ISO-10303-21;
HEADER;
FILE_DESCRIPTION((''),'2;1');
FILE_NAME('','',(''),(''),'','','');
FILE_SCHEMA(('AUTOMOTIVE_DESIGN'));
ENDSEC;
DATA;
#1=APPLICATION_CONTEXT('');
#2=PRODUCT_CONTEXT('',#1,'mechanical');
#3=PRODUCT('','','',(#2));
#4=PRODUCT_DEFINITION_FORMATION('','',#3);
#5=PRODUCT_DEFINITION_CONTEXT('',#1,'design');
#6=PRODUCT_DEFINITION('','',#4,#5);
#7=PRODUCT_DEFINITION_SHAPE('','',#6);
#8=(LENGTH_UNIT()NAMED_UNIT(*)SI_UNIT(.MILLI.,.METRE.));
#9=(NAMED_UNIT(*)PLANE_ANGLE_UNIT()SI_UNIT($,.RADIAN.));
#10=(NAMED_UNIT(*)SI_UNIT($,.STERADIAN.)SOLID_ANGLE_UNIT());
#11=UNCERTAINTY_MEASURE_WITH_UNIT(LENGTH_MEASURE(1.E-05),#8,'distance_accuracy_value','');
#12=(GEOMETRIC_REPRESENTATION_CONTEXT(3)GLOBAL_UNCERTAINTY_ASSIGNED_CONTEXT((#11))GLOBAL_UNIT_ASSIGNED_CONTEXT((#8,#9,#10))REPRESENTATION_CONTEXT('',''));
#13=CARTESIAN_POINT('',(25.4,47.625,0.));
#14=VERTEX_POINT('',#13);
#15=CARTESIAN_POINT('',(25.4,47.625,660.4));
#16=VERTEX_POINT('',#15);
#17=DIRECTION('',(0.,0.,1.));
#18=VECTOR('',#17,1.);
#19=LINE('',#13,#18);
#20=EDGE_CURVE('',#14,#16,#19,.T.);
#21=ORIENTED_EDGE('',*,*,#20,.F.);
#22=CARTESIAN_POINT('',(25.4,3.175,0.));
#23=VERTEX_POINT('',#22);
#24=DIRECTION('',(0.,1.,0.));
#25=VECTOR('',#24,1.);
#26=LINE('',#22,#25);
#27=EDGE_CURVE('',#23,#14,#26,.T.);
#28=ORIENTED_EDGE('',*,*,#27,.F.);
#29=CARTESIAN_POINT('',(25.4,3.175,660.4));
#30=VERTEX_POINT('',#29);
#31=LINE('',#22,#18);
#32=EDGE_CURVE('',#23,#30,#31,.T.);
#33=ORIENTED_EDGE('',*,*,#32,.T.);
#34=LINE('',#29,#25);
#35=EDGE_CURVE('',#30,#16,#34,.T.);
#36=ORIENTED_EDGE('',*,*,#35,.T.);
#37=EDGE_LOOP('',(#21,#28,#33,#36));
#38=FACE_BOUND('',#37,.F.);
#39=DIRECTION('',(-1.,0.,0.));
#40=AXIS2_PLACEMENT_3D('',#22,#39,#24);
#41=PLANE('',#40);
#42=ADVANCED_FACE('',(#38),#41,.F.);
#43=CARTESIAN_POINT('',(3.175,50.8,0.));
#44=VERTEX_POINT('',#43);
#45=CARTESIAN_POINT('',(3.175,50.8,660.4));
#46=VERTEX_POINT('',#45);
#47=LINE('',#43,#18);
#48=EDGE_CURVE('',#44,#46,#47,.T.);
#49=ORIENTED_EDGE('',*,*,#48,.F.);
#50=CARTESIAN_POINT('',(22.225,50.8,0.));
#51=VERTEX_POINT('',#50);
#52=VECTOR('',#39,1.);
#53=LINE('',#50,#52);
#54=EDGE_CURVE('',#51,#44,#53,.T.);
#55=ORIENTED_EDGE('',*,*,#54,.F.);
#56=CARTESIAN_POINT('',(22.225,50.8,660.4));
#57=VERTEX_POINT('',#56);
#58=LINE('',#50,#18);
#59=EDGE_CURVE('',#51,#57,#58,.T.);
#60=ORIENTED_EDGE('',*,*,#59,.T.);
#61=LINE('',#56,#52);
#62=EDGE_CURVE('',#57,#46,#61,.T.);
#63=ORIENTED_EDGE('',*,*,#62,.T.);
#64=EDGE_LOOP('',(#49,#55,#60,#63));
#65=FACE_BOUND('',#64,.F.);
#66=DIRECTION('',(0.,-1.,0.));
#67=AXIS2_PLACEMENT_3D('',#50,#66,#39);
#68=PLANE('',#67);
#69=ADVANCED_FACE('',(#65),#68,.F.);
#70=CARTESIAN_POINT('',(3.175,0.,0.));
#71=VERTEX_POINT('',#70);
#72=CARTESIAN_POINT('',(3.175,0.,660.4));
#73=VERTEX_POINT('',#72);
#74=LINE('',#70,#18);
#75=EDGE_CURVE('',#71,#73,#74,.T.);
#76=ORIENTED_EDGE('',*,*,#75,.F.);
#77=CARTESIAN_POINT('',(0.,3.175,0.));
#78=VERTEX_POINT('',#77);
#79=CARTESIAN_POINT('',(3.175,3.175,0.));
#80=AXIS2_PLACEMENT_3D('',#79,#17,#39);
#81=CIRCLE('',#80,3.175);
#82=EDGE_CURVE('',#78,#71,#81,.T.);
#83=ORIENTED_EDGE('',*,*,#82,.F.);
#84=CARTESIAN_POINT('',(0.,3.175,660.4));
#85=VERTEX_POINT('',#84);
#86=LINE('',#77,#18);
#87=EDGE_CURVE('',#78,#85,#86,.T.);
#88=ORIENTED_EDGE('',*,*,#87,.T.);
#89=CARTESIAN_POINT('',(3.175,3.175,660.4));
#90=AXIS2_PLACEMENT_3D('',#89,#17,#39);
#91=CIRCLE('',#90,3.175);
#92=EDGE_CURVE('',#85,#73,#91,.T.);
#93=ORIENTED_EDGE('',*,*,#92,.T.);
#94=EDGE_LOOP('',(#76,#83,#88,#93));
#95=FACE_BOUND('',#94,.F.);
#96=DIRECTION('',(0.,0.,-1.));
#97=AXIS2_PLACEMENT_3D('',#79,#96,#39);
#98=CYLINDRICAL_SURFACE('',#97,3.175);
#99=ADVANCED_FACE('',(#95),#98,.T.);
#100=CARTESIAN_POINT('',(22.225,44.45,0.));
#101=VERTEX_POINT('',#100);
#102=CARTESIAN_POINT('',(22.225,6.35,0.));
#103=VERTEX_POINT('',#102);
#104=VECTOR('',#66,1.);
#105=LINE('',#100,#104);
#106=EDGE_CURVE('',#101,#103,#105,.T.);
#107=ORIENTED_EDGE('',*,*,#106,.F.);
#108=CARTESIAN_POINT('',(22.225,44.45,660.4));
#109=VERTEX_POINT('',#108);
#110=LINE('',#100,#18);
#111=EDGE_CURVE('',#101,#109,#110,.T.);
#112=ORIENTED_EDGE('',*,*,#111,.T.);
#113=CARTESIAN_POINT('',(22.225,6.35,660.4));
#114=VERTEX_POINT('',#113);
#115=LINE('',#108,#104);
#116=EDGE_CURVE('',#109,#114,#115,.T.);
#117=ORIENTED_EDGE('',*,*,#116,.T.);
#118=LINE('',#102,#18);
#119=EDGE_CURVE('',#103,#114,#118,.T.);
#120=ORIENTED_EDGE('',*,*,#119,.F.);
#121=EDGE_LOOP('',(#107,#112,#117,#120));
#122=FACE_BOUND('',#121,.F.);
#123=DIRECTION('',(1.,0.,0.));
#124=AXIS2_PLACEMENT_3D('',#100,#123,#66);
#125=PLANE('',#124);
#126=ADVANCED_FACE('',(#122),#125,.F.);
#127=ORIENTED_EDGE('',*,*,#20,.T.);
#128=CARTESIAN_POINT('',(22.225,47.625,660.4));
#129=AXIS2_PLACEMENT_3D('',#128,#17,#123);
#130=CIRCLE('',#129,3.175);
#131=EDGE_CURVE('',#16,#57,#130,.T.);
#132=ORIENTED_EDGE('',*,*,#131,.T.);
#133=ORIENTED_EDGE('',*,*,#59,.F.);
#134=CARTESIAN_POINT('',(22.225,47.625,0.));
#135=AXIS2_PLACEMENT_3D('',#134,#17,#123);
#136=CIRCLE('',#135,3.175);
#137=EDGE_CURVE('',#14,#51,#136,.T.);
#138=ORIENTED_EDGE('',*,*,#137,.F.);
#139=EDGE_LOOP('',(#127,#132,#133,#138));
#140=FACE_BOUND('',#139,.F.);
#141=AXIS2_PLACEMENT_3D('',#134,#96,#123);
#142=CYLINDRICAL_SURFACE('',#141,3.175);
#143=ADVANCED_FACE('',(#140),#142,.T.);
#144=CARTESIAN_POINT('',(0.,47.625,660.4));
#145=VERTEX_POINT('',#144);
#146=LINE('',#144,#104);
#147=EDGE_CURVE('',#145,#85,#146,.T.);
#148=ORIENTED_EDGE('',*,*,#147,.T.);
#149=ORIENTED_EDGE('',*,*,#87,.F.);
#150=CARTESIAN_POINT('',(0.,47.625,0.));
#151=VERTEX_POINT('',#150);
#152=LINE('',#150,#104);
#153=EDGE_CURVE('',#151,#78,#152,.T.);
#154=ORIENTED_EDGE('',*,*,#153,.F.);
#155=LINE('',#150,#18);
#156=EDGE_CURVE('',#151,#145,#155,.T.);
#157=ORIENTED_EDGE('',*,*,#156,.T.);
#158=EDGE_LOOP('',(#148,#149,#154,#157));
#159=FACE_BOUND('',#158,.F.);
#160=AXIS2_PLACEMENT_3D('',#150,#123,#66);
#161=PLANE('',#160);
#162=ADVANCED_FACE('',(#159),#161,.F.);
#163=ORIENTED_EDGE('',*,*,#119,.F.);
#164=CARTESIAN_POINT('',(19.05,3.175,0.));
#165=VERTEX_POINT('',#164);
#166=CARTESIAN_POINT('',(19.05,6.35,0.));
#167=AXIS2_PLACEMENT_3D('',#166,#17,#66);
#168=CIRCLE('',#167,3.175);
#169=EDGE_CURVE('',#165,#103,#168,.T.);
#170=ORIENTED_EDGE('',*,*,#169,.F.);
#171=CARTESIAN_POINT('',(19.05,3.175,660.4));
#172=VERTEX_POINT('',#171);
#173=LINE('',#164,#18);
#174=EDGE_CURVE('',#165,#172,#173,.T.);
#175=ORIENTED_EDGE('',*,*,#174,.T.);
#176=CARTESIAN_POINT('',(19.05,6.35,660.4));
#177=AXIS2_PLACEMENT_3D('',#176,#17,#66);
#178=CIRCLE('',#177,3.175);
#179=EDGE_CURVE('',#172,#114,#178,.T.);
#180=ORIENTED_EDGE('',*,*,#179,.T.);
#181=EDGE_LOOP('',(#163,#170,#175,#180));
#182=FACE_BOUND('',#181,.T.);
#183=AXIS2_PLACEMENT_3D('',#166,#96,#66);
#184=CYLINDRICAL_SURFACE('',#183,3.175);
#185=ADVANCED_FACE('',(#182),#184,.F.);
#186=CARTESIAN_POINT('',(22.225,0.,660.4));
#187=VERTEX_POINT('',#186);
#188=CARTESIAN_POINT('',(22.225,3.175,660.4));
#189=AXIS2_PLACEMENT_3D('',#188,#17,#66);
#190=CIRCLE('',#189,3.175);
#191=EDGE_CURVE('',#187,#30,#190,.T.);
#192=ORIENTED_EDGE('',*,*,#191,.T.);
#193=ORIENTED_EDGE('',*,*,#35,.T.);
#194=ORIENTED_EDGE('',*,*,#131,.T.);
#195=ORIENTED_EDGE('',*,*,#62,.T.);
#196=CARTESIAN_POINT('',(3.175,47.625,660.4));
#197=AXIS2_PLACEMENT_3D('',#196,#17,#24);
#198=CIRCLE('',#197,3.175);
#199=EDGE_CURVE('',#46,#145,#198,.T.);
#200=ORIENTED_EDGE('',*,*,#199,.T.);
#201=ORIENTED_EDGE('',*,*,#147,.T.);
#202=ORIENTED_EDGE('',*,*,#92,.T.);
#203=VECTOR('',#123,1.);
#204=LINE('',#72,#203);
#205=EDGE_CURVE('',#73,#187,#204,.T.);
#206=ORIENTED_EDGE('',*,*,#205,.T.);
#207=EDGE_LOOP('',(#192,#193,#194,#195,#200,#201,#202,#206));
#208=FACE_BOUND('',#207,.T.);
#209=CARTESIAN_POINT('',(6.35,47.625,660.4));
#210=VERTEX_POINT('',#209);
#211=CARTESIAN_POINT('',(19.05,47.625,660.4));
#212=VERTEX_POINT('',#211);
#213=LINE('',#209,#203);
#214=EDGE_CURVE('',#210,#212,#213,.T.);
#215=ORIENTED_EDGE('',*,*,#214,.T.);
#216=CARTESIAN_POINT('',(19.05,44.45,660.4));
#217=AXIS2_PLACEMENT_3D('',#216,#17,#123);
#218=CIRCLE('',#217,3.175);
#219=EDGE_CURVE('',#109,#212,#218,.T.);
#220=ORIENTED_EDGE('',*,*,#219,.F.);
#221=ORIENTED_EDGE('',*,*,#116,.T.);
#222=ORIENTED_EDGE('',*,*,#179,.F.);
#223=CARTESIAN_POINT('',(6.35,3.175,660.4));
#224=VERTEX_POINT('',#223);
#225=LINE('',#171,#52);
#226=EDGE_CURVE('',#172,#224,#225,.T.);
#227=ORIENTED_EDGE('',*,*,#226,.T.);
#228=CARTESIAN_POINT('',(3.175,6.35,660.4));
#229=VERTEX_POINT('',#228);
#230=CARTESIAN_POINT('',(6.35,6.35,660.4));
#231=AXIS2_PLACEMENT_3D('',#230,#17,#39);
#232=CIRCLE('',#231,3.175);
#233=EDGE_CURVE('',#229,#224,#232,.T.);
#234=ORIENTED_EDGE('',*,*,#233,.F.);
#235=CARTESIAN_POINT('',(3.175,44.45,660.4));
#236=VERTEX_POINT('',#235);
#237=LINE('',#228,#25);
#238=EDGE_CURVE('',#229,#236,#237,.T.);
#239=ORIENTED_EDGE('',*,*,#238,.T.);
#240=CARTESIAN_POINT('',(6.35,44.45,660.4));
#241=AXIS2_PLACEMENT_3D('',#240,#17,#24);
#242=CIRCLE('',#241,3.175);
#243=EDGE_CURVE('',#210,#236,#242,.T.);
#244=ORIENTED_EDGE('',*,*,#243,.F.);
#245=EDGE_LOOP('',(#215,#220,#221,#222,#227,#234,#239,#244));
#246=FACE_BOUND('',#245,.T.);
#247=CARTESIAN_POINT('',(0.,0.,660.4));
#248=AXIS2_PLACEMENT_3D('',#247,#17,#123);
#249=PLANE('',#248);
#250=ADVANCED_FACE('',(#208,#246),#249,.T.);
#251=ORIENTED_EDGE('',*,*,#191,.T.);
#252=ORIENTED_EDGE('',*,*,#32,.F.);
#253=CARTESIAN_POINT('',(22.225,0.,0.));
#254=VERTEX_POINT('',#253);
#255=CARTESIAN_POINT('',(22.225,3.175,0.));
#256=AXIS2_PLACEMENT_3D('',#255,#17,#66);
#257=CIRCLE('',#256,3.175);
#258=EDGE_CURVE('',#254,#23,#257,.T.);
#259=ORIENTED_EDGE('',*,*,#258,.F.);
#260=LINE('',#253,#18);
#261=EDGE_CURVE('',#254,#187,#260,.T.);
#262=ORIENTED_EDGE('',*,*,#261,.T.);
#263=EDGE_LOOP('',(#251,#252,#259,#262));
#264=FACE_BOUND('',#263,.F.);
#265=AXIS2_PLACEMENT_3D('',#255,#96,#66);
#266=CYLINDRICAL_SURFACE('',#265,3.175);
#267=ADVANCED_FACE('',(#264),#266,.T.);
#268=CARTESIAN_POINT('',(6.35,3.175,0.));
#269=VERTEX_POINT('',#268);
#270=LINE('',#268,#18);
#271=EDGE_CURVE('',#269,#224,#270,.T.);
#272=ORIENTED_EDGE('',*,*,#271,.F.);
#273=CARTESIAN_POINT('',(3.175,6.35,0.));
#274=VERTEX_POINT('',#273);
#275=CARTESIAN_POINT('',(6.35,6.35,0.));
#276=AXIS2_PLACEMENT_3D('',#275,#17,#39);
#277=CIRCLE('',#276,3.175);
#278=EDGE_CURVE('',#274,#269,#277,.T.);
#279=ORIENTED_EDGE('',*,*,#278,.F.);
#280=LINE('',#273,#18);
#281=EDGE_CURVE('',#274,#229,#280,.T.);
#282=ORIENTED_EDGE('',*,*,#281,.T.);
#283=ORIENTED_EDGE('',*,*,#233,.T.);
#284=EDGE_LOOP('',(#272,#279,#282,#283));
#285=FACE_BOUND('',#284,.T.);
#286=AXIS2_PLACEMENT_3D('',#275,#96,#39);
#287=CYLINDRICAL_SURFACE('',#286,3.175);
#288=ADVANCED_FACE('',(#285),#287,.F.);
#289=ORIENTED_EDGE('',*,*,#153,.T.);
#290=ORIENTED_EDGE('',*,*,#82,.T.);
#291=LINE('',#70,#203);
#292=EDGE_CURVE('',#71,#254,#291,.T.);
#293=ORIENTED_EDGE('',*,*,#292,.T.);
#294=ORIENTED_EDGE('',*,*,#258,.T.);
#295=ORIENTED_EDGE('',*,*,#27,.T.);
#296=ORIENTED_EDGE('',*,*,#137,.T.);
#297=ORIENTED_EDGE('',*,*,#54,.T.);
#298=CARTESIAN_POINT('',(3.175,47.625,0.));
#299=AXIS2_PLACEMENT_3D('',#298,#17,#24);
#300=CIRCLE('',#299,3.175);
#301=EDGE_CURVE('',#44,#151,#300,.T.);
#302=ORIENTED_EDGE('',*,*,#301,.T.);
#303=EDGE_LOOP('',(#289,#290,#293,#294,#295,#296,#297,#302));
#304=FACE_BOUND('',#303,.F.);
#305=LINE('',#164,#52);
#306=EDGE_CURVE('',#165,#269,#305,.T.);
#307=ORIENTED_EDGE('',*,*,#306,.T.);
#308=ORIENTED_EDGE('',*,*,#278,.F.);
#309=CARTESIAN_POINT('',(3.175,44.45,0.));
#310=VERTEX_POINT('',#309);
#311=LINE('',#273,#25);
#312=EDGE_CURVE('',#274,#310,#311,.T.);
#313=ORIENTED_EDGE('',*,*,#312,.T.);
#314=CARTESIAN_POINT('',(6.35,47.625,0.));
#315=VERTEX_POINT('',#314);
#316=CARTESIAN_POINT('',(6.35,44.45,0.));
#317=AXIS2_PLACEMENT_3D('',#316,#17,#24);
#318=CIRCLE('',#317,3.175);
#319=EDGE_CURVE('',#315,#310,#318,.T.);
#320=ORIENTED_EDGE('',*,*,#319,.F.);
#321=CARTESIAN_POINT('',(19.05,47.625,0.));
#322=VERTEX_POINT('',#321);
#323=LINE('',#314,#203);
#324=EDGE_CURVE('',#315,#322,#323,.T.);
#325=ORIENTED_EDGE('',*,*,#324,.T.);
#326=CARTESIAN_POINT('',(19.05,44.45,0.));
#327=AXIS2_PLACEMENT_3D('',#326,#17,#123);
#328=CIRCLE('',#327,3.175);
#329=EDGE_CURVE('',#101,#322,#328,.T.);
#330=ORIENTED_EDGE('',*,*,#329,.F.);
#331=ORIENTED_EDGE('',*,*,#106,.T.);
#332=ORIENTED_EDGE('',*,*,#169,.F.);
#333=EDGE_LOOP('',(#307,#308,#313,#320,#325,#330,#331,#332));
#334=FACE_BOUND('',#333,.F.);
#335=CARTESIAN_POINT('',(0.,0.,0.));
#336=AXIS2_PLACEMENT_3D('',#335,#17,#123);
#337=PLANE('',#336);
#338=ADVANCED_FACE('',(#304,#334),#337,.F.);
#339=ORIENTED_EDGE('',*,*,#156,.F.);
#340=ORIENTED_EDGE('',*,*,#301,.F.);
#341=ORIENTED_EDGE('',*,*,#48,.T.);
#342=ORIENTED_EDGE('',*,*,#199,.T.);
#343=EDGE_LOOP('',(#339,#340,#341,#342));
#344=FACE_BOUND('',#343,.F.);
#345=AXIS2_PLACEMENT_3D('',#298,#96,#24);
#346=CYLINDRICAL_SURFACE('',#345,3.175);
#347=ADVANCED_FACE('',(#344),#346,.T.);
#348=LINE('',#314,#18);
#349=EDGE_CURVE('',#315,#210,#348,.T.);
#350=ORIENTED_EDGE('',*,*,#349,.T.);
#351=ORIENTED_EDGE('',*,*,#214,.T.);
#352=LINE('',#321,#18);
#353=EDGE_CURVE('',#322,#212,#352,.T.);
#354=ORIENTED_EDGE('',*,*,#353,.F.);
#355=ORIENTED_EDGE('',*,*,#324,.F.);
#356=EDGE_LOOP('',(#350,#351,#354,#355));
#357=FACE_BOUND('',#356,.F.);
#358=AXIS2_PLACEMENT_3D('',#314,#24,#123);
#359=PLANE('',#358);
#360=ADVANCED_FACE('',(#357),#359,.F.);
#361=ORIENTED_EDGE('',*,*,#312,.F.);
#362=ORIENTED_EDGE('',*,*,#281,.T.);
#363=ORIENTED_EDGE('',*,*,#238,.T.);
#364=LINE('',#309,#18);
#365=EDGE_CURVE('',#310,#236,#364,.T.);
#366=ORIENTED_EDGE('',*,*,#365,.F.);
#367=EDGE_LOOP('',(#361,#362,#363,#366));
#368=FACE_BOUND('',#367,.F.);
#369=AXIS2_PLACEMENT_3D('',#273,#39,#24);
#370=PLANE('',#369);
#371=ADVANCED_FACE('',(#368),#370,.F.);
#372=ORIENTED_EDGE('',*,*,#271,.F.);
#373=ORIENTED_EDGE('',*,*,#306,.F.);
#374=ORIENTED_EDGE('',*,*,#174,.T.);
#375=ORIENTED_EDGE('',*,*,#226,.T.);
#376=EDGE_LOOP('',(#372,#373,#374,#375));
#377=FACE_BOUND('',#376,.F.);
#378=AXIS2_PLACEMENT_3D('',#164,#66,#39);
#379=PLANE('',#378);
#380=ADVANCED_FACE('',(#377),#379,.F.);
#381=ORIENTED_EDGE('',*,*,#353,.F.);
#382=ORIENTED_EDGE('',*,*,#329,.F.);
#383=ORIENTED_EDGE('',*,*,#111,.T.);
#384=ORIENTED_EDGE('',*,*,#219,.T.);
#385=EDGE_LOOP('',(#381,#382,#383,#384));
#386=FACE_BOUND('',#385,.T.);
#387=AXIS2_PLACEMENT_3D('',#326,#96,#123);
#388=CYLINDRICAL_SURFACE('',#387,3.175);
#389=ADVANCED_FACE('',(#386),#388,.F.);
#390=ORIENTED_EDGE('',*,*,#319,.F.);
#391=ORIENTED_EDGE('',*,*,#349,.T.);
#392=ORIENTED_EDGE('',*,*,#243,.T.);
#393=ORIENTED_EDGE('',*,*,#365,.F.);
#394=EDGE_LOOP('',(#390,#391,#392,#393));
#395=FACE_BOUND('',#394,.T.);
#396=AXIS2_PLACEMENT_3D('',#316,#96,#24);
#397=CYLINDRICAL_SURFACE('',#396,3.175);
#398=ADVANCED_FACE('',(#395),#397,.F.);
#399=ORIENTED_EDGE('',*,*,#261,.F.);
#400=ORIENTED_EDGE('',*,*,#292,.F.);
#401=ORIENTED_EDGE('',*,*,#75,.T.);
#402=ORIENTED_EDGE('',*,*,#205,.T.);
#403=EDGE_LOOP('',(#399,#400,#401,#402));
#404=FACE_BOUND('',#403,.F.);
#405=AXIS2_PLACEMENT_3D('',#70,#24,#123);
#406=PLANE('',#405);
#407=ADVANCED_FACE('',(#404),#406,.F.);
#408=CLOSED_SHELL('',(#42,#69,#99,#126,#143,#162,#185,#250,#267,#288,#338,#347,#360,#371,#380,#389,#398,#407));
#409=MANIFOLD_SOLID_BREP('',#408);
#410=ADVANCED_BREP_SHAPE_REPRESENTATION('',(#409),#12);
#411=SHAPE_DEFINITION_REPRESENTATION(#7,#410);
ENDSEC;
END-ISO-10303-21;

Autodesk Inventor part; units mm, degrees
ref_plane "YZ Plane" through (0, 0, 0) normal (1, 0, 0) x (0, 1, 0)
ref_plane "XZ Plane" through (0, 0, 0) normal (0, 1, 0) x (-1, 0, 0)
ref_plane "XY Plane" through (0, 0, 0) normal (0, 0, 1) x (1, 0, 0)
sketch "Sketch1" plane through (0, 0, 0) normal (0, 0, 1) x (1, 0, 0)
  line L0 (3.175, 0) -> (22.225, 0)
  line L1 (25.4, 3.175) -> (25.4, 47.625)
  line L2 (22.225, 50.8) -> (3.175, 50.8)
  line L3 (0, 47.625) -> (0, 3.175)
  arc A0 (3.175, 50.8) -> (0, 47.625) centre (3.175, 47.625) ccw
  arc A1 (25.4, 47.625) -> (22.225, 50.8) centre (22.225, 47.625) ccw
  arc A2 (22.225, 0) -> (25.4, 3.175) centre (22.225, 3.175) ccw
  arc A3 (0, 3.175) -> (3.175, 0) centre (3.175, 3.175) ccw
  line L4 (6.35, 47.625) -> (19.05, 47.625)
  line L5 (22.225, 44.45) -> (22.225, 6.35)
  line L6 (19.05, 3.175) -> (6.35, 3.175)
  line L7 (3.175, 6.35) -> (3.175, 44.45)
  arc A4 (6.35, 47.625) -> (3.175, 44.45) centre (6.35, 44.45) ccw
  arc A5 (22.225, 44.45) -> (19.05, 47.625) centre (19.05, 44.45) ccw
  arc A6 (3.175, 6.35) -> (6.35, 3.175) centre (6.35, 6.35) ccw
  arc A7 (19.05, 3.175) -> (22.225, 6.35) centre (19.05, 6.35) ccw
  point P0 (0, 0)
  point P1 (25.4, 0)
  point P2 (0, 50.8)
  dimension "d0" = 50.8
  dimension "d1" = 25.4
  dimension "d2" = 3.175
  dimension "d3" = 3.175
  dimension "d4" = 3.175
  dimension "d5" = 3.175
  dimension "d6" = 3.175
  dimension "d7" = 3.175
  dimension "d8" = 3.175
  dimension "d9" = 3.175
  dimension "d10" = 3.175
extrude "Extrusion1" add sketch "Sketch1" along normal blind 660.4
properties part number "O channel 26 inch"
